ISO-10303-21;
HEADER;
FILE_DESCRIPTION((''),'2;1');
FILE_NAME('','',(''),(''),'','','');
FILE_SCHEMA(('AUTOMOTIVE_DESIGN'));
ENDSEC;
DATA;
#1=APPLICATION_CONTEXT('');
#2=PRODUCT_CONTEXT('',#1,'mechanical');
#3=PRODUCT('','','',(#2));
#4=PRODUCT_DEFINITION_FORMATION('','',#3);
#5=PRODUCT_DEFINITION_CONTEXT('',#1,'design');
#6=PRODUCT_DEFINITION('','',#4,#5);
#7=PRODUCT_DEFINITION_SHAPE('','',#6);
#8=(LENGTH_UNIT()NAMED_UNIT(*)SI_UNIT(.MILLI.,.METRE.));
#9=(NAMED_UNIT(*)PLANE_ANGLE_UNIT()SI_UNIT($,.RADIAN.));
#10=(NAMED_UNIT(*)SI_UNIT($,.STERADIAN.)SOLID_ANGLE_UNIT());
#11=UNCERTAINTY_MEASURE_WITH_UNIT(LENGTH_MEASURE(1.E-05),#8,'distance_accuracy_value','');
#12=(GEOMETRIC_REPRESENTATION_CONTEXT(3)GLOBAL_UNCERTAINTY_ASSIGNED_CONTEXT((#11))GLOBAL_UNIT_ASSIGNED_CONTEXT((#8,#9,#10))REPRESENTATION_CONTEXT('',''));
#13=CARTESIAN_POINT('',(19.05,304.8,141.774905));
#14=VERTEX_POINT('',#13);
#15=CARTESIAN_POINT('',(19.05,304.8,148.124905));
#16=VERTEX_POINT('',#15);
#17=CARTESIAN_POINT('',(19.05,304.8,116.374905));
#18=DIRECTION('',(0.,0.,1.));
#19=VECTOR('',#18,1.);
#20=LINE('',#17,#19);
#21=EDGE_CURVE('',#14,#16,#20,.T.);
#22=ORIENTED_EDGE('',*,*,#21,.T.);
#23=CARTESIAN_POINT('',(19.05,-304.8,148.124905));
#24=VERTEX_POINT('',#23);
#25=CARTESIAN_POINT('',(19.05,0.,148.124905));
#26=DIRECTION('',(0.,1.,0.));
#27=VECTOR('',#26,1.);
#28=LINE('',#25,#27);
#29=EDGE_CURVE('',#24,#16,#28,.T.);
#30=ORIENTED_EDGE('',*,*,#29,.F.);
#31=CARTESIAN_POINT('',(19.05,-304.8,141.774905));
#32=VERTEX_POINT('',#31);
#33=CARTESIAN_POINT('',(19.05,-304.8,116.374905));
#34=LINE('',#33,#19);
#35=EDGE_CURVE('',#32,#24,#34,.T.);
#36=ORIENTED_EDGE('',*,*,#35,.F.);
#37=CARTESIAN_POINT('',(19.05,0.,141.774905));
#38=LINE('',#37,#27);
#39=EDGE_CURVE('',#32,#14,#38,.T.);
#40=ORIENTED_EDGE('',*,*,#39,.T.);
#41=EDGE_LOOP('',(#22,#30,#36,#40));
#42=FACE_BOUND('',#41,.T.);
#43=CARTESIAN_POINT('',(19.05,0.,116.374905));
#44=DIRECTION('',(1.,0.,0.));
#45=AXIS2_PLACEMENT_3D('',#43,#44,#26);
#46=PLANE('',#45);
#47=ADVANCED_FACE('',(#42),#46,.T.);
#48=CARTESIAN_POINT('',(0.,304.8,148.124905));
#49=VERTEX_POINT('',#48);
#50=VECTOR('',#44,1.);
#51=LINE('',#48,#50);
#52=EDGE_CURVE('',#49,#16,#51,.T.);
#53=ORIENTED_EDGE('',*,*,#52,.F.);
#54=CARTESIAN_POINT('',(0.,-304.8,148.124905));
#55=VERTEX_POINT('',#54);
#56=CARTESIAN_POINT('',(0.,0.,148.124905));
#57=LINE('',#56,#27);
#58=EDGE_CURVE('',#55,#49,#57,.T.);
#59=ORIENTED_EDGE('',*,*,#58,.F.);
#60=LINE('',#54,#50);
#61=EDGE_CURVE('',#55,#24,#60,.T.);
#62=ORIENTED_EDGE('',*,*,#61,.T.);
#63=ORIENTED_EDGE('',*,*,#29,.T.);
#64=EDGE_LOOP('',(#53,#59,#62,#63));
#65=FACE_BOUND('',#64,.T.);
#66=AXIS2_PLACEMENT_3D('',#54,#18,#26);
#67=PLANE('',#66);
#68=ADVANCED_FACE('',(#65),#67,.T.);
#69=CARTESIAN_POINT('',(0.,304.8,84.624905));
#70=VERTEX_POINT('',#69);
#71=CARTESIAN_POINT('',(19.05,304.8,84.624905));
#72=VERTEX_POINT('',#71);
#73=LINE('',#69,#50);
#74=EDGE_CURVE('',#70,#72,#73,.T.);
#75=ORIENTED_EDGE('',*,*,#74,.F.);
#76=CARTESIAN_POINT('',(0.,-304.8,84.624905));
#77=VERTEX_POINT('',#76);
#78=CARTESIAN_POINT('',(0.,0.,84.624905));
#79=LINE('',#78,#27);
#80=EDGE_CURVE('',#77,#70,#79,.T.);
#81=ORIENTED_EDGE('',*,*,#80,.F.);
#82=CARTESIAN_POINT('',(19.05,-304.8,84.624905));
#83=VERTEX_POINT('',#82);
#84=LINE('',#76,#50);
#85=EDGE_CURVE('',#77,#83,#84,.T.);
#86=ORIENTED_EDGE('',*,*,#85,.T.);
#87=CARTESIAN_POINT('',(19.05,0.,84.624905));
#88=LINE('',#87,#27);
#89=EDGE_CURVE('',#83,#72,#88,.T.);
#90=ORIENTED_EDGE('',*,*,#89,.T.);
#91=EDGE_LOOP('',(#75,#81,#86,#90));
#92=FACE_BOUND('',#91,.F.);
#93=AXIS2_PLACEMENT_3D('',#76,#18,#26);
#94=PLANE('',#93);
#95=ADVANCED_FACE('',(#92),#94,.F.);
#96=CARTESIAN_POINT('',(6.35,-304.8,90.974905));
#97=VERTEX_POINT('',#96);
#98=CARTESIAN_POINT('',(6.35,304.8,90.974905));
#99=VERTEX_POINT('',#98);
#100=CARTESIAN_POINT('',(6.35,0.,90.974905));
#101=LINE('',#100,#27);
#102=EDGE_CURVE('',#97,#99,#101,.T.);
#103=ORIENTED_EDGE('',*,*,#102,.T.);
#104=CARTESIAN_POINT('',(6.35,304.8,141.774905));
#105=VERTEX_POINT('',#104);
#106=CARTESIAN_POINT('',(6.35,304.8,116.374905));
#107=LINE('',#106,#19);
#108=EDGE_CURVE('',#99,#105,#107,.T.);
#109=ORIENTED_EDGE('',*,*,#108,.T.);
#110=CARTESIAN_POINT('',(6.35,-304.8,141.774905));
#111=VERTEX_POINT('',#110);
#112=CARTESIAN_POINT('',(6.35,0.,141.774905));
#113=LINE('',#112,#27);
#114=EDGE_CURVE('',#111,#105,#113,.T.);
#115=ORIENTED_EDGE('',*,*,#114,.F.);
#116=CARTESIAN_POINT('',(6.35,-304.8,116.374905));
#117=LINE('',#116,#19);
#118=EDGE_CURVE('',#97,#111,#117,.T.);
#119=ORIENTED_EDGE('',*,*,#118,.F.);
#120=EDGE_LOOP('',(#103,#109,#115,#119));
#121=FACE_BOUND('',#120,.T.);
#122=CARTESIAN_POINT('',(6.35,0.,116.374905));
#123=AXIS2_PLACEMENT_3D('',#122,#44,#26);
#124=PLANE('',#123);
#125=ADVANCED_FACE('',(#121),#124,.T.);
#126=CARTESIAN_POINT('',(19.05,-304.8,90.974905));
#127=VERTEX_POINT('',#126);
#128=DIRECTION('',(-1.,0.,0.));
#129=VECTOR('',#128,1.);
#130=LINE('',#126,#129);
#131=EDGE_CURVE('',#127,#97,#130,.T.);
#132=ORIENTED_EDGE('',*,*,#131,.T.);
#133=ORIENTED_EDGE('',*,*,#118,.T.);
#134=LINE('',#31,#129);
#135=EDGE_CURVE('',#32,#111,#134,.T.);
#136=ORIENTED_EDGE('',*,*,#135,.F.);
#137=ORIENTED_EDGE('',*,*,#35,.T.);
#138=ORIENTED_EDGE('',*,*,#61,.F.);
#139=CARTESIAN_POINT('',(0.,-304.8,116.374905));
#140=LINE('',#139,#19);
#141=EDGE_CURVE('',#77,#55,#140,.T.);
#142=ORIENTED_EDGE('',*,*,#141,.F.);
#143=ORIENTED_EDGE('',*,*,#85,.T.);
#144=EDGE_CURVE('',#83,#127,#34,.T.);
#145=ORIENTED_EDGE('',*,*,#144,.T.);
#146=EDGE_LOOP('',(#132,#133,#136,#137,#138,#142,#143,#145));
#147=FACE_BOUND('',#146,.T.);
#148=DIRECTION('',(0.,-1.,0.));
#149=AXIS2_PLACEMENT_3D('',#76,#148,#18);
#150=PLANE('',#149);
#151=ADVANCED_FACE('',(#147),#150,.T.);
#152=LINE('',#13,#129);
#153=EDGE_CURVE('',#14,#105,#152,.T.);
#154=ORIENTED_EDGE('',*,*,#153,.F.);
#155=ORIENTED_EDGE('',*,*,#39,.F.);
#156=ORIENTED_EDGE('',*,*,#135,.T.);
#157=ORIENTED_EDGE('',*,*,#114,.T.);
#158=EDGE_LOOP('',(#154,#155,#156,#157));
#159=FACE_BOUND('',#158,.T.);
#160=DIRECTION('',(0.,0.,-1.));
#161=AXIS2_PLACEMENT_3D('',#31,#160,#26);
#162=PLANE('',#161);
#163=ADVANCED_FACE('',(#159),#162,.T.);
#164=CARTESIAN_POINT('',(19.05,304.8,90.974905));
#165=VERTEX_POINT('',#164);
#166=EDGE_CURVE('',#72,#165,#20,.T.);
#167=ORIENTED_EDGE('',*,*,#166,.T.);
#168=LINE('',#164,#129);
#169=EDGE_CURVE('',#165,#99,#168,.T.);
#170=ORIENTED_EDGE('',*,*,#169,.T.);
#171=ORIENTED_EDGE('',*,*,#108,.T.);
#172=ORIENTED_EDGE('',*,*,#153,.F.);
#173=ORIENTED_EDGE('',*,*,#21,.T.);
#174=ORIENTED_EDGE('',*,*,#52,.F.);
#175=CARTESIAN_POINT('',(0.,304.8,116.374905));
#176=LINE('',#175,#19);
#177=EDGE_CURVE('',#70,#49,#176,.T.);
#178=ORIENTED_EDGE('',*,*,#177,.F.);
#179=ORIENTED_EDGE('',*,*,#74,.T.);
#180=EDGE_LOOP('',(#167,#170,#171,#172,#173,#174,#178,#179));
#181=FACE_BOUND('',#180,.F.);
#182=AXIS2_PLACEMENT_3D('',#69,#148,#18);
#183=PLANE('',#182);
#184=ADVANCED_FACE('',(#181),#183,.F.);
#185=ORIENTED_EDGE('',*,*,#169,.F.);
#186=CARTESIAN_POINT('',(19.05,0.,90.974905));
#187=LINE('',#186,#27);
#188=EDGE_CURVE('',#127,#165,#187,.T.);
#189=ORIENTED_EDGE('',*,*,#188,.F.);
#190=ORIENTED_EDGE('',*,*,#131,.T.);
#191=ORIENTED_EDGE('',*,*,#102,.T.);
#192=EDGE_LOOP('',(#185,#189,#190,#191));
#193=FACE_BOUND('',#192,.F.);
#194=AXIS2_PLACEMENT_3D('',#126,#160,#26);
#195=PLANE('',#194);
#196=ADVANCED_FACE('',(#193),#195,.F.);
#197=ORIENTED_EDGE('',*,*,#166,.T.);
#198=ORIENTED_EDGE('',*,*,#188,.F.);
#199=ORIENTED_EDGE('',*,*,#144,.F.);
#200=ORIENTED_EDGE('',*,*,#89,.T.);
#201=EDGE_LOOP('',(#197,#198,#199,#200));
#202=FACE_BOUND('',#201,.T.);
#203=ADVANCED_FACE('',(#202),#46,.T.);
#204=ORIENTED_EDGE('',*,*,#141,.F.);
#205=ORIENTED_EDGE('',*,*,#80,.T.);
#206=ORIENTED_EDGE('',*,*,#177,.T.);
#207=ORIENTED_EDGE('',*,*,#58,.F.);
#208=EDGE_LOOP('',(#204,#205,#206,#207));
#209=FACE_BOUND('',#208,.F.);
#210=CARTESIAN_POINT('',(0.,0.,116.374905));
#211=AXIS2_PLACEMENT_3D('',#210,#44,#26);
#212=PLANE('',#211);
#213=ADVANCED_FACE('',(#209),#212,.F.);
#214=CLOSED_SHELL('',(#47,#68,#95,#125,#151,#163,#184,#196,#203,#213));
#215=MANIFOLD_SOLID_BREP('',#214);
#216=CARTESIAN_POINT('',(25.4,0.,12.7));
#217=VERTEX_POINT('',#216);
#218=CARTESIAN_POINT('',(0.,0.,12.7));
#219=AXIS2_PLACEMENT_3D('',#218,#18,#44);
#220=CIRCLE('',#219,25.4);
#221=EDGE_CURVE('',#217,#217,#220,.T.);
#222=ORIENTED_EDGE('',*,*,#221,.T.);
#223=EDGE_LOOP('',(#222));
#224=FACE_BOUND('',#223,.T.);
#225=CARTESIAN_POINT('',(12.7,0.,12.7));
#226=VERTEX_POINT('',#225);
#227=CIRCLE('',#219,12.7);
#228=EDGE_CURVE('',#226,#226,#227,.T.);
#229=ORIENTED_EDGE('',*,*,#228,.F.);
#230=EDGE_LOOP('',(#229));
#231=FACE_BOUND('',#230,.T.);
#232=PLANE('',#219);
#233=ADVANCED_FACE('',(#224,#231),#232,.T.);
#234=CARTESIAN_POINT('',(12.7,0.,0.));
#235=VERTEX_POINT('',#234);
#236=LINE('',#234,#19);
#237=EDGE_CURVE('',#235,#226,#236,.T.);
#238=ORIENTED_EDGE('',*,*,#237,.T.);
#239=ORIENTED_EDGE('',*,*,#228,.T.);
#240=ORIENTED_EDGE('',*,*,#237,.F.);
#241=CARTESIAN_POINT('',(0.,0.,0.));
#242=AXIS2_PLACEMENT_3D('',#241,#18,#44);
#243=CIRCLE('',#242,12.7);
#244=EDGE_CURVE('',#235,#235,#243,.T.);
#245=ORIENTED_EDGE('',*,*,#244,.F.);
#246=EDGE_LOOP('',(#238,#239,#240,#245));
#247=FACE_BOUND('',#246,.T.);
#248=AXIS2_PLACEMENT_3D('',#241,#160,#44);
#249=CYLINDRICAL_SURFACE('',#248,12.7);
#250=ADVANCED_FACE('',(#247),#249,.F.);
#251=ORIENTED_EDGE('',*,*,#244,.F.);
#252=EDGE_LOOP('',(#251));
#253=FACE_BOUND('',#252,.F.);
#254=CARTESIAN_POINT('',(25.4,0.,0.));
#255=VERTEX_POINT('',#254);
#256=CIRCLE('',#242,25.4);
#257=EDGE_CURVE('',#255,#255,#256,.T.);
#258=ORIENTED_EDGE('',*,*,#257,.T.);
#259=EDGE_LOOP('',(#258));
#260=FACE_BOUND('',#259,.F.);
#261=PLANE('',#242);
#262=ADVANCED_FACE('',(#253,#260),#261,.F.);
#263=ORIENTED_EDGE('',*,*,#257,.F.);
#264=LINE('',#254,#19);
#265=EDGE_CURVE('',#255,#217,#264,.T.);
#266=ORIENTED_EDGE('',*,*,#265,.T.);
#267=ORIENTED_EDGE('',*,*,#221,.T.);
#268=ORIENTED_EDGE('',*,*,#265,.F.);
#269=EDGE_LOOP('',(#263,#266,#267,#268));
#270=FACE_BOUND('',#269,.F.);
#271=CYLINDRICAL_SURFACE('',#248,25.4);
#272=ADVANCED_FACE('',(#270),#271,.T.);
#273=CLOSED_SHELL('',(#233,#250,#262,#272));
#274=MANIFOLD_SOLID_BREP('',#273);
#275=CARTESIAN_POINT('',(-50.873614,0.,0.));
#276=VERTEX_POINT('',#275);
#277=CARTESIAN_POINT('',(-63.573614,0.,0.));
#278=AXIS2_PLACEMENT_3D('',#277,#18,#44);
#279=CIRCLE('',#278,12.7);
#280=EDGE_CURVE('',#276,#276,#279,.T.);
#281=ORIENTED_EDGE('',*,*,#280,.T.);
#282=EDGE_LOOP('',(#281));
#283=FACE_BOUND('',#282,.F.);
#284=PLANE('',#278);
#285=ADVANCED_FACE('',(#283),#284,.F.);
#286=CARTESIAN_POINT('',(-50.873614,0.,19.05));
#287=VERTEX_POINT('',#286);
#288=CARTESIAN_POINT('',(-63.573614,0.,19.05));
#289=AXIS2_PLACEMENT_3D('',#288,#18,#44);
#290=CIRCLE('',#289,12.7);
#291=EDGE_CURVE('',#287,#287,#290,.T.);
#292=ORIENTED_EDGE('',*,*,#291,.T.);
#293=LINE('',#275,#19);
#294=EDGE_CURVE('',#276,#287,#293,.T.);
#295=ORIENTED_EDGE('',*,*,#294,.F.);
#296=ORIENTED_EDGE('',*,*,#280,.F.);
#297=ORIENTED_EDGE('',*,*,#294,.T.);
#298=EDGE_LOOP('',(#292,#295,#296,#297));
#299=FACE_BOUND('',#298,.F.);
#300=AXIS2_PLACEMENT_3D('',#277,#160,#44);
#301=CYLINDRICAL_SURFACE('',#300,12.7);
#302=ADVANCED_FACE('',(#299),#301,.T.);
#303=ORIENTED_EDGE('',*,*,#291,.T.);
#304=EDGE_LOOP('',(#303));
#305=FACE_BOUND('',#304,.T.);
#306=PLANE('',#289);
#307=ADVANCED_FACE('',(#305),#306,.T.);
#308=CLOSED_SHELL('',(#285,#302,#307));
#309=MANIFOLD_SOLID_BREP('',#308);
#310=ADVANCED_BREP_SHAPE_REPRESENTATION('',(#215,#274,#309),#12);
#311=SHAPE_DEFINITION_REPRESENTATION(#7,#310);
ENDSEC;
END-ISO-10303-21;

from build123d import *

# Parameters (mm, degrees)
F0_R     = 25.4
F0_R_2   = 12.7
F1_DEPTH = 12.7
F2_R     = 12.7
F3_DEPTH = 19.05
F4_W     = 609.6
F4_H     = 63.5
F5_DEPTH = 19.05
F6_W     = 609.6
F6_H     = 50.8
F7_DEPTH = 12.7


with BuildPart() as f1:
    # F0 (on Top) → F1 (new body)
    with BuildSketch(Plane.XY):
        Circle(F0_R)
        Circle(F0_R_2, mode=Mode.SUBTRACT)
    extrude(amount=F1_DEPTH)


with BuildPart() as f3:
    # F2 (on Top) → F3 (new body)
    with BuildSketch(Plane.XY):
        with Locations((-63.573614, 0)):
            Circle(F2_R)
    extrude(amount=F3_DEPTH)


with BuildPart() as f5:
    # F4 (on Right) → F5 (new body)
    with BuildSketch(Plane.YZ):
        with Locations((0, 116.374905)):
            Rectangle(F4_W, F4_H)
    extrude(amount=F5_DEPTH)

    # F6 (on face) → F7 (cut)
    with BuildSketch(Plane.YZ.offset(19.05)):
        with Locations((0, 116.374905)):
            Rectangle(F6_W, F6_H)
    extrude(amount=-F7_DEPTH, mode=Mode.SUBTRACT)


solid = Compound([f1.part, f3.part, f5.part])
